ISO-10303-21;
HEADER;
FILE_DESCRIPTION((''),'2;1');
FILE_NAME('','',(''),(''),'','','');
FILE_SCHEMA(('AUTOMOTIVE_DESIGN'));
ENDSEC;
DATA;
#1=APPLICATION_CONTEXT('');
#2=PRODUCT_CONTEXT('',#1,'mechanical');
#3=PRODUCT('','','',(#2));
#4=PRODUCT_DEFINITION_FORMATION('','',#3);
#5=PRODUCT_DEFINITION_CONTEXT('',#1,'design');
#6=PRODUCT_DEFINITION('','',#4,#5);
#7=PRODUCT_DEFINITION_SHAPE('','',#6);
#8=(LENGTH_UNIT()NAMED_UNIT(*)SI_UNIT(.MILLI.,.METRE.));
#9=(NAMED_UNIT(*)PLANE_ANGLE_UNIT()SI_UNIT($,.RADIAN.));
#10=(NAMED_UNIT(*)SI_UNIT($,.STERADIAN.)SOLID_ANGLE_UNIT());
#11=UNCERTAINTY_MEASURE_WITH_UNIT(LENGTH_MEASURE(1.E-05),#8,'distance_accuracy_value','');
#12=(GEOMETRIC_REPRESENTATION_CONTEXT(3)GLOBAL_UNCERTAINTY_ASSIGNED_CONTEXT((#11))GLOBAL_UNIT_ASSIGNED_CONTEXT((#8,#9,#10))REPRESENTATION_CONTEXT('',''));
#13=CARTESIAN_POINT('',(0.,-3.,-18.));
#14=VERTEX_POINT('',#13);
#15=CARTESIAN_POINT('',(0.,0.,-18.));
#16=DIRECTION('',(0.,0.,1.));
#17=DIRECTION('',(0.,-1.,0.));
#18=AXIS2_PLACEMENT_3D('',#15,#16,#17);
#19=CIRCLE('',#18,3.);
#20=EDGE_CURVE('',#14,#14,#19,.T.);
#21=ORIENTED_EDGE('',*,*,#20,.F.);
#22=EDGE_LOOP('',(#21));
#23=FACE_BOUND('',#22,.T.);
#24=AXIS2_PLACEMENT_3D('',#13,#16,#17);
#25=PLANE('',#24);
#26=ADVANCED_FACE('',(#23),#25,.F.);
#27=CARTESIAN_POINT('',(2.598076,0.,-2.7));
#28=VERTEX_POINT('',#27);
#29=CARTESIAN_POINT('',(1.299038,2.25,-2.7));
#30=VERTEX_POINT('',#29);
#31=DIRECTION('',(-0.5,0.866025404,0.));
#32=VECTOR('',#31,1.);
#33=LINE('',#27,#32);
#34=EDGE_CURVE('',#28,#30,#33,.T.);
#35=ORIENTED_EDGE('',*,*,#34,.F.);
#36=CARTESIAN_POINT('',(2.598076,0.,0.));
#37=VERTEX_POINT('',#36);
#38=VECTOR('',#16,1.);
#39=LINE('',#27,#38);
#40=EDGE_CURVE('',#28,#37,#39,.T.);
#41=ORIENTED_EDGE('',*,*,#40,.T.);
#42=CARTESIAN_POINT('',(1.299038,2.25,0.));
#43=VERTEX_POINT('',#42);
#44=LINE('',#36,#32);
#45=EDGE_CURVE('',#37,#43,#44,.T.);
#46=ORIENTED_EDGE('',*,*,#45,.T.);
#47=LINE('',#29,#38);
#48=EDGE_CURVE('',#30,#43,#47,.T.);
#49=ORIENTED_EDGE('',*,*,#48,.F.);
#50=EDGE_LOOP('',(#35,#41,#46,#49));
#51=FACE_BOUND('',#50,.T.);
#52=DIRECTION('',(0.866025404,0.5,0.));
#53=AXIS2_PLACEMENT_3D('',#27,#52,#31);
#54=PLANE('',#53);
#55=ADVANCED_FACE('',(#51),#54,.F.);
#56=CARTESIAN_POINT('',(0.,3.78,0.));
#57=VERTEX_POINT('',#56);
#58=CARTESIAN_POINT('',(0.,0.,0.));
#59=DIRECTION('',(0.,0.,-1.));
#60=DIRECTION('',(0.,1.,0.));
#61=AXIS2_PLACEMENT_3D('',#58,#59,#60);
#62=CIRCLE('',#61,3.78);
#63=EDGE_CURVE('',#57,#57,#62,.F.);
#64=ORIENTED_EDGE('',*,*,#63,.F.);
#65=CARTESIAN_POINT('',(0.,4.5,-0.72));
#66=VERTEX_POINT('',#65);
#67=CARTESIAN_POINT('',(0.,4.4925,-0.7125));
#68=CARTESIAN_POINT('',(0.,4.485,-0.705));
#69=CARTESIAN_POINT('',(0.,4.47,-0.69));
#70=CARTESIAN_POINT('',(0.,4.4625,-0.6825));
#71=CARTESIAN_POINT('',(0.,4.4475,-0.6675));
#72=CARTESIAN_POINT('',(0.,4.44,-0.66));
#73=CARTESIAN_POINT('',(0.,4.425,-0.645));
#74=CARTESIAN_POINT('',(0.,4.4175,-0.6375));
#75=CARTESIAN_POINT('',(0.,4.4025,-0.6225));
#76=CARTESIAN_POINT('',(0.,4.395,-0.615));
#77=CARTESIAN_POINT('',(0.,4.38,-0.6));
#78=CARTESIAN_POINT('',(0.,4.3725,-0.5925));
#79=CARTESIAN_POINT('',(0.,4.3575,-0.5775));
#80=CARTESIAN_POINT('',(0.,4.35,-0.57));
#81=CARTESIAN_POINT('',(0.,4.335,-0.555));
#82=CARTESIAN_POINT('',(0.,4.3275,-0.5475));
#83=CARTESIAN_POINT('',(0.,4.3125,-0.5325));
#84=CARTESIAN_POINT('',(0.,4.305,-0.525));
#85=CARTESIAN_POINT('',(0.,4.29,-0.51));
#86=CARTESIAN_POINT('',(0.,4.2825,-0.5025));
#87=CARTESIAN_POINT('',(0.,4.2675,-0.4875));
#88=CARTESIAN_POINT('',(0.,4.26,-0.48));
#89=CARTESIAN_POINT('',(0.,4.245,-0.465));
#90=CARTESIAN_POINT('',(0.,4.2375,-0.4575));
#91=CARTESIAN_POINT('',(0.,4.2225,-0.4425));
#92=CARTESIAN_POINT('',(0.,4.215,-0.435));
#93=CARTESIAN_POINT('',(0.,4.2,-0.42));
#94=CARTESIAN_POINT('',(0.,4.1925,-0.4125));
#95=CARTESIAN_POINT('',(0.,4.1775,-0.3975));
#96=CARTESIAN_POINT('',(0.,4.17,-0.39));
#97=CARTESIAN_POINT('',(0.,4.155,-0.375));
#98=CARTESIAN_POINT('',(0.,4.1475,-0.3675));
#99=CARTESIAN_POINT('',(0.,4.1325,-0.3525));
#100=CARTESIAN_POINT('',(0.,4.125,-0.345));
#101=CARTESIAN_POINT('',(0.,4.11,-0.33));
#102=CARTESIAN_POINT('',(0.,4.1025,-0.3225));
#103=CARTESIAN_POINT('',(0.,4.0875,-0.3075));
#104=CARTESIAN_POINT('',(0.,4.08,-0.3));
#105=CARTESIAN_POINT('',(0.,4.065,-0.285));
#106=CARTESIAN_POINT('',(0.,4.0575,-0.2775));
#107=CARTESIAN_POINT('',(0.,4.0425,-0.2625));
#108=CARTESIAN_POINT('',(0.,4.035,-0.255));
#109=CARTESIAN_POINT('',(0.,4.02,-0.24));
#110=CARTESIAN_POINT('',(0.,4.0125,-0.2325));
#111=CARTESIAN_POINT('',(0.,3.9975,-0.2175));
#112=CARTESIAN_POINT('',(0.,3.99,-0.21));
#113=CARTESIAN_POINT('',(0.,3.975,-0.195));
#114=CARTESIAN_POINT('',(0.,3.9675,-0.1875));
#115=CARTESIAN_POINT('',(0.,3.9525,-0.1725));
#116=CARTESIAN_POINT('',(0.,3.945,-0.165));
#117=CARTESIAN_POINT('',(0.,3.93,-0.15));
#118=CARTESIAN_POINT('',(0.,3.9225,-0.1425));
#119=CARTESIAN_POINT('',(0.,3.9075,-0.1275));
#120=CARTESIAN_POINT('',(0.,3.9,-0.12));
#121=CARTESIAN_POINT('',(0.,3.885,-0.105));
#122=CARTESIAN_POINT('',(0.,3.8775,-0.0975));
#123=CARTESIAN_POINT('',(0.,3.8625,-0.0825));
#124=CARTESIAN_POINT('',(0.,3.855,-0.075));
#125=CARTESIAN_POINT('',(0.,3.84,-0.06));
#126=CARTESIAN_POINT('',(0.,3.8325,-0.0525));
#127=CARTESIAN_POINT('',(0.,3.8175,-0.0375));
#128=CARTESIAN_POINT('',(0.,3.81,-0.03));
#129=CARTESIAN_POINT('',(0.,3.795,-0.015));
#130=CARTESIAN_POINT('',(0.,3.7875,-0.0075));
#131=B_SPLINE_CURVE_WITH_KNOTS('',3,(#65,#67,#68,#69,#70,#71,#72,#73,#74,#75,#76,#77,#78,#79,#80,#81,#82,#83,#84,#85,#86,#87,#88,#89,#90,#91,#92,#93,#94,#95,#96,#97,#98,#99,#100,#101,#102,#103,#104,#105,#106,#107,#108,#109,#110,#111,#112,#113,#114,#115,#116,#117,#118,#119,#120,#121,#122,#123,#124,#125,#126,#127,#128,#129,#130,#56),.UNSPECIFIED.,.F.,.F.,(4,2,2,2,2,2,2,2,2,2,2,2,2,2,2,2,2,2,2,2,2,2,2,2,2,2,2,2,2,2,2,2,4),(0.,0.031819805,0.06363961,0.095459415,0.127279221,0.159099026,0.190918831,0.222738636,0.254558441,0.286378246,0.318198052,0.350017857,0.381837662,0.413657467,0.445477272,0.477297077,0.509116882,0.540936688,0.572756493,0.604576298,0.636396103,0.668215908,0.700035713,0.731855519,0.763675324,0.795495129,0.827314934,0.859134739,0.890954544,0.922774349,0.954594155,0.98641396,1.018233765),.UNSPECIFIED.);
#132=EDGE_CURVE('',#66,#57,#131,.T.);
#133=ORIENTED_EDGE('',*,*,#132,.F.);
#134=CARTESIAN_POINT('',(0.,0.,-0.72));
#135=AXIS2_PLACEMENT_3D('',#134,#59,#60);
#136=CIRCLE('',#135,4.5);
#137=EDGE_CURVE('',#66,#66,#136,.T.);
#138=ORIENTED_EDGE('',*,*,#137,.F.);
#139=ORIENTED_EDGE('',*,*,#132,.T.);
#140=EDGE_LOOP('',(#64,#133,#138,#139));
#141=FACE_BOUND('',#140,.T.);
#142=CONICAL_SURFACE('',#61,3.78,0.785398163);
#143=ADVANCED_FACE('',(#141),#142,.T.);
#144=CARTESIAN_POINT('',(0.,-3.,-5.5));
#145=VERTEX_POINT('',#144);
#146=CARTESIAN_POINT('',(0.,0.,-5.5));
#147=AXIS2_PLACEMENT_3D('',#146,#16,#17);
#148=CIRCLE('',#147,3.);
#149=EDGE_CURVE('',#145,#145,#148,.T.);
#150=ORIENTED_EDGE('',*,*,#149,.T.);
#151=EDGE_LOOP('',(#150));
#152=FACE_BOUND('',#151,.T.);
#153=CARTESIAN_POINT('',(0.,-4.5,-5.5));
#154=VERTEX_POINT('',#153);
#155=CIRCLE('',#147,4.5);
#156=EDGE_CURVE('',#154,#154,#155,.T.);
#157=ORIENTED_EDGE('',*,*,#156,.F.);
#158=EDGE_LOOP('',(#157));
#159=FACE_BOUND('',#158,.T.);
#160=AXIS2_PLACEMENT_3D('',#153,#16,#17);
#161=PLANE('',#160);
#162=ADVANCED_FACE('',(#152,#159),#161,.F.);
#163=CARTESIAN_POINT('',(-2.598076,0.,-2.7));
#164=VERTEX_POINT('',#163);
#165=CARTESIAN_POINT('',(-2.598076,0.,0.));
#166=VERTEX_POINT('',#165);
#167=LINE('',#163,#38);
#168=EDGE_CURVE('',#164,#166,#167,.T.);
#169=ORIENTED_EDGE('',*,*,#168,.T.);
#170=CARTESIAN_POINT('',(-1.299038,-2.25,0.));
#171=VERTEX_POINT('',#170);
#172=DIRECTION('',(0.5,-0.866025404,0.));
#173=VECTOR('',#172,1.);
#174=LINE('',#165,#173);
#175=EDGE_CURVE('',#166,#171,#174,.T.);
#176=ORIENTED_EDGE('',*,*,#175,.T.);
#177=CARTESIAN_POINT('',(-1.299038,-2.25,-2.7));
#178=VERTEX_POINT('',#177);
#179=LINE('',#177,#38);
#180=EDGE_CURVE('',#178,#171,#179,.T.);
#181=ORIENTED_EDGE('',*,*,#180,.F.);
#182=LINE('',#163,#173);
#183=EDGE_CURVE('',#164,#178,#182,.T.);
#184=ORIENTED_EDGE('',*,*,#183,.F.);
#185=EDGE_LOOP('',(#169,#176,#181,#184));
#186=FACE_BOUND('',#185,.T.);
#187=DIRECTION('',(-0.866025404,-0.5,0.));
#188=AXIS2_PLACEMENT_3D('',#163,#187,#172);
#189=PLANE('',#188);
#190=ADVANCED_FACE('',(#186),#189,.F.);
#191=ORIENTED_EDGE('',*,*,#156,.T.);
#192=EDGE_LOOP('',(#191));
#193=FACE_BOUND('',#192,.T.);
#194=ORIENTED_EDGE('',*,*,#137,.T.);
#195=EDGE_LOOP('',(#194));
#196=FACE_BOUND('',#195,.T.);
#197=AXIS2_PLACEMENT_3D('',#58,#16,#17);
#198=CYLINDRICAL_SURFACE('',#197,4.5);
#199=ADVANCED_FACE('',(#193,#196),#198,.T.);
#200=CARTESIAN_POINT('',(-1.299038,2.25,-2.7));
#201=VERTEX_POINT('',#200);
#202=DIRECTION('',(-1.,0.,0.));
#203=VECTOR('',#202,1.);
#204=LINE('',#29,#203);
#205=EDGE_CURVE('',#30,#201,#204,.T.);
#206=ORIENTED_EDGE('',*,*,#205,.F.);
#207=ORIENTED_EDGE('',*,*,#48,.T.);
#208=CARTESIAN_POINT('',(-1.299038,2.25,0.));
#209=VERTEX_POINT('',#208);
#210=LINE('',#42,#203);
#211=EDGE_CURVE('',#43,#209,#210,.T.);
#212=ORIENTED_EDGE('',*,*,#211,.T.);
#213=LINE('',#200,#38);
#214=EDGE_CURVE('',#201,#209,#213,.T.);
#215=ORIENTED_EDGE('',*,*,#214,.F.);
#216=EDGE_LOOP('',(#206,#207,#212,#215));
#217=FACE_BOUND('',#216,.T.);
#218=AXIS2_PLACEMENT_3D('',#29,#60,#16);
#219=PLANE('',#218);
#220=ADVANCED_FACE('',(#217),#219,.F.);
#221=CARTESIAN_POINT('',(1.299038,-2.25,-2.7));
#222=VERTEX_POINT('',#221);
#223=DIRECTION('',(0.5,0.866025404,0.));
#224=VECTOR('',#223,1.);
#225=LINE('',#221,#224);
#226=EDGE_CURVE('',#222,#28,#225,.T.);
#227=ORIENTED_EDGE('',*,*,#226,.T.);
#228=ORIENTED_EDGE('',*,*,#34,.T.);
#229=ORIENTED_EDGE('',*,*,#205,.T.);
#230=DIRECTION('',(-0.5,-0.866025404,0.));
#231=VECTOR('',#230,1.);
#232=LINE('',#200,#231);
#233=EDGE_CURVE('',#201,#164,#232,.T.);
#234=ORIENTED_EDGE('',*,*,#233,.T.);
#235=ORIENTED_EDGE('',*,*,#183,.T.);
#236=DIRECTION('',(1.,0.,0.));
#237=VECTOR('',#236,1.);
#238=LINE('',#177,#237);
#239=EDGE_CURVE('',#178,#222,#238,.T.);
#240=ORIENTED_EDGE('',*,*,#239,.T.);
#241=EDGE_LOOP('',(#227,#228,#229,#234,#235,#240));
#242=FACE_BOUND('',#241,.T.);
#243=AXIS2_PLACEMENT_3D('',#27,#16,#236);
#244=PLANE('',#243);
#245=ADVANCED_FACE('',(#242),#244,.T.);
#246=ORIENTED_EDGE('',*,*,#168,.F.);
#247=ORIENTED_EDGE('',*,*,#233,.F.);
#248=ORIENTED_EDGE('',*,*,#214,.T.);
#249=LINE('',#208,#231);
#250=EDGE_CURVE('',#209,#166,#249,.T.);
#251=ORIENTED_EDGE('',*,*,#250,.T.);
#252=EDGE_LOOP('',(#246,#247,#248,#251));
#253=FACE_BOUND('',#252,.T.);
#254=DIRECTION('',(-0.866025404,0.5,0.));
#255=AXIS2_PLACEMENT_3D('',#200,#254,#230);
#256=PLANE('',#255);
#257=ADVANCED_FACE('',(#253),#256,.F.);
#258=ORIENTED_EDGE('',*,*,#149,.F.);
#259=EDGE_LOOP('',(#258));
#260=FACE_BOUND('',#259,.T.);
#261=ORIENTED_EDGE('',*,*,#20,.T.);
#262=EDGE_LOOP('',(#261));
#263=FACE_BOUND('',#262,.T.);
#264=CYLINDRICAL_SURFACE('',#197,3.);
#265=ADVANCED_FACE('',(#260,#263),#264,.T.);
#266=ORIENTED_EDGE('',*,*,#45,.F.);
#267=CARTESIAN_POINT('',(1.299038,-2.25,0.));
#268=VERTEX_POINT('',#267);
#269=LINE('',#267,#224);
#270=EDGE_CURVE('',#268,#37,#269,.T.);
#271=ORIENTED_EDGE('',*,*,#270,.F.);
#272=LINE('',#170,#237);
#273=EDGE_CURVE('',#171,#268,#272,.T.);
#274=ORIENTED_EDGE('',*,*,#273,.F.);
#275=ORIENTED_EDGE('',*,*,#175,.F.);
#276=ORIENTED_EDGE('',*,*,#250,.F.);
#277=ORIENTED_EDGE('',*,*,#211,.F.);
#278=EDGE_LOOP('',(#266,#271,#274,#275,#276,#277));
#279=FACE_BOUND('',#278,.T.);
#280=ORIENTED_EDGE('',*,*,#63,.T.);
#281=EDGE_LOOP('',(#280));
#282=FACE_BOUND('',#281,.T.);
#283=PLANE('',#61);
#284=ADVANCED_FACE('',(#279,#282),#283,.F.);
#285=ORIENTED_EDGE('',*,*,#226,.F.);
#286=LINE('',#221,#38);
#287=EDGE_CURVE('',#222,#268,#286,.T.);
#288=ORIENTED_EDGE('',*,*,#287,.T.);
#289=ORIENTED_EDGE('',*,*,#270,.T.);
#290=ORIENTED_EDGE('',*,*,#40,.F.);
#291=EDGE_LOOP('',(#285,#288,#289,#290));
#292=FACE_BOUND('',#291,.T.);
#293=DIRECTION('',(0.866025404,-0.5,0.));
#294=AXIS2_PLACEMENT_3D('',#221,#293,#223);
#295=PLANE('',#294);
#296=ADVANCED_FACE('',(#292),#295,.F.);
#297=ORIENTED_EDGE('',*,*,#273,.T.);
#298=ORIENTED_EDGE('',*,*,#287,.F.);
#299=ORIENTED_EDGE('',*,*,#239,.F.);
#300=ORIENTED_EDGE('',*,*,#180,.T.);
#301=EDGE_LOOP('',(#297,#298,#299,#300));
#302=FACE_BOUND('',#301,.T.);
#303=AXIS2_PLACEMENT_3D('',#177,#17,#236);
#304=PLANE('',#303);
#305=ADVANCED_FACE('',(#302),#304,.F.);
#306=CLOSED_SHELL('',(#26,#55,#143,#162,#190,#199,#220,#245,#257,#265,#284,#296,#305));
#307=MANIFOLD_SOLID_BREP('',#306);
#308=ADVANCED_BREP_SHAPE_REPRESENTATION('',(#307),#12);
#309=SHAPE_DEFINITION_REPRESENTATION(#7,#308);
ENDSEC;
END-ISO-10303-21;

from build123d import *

# Parameters (mm, degrees)
CHAMFER_1_SIZE      = 0.72
CUT_EXTRUDE_1_DEPTH = 2.7


with BuildPart() as part:
    # 草图2 → 旋转1 (revolve)
    with BuildSketch(Plane(origin=(0, 0, 0), x_dir=(0, 0, -1), z_dir=(1, 0, 0)), mode=Mode.PRIVATE) as revolve_1_sk:
        Polygon((0, 0), (0, 4.5), (5.5, 4.5), (5.5, 3), (18, 3), (18, 0), align=None)
    revolve(revolve_1_sk.sketch.rotate(Axis((0, 0, 0), (0, 0, -1)), 180), axis=Axis((0, 0, 0), (0, 0, -1)))

    # 倒角1
    chamfer_1_edges = [part.edges().sort_by_distance(p)[0] for p in [
        (0, 4.5, 0),
    ]]
    chamfer(chamfer_1_edges, length=CHAMFER_1_SIZE)

    # 草图3 → 切除-拉伸1 (cut)
    with BuildSketch(Plane.XY):
        Polygon((2.598076211, 0), (1.299038106, 2.25), (-1.299038106, 2.25), (-2.598076211, 0), (-1.299038106, -2.25), (1.299038106, -2.25), align=None)
    extrude(amount=-CUT_EXTRUDE_1_DEPTH, mode=Mode.SUBTRACT)


solid = part.part
